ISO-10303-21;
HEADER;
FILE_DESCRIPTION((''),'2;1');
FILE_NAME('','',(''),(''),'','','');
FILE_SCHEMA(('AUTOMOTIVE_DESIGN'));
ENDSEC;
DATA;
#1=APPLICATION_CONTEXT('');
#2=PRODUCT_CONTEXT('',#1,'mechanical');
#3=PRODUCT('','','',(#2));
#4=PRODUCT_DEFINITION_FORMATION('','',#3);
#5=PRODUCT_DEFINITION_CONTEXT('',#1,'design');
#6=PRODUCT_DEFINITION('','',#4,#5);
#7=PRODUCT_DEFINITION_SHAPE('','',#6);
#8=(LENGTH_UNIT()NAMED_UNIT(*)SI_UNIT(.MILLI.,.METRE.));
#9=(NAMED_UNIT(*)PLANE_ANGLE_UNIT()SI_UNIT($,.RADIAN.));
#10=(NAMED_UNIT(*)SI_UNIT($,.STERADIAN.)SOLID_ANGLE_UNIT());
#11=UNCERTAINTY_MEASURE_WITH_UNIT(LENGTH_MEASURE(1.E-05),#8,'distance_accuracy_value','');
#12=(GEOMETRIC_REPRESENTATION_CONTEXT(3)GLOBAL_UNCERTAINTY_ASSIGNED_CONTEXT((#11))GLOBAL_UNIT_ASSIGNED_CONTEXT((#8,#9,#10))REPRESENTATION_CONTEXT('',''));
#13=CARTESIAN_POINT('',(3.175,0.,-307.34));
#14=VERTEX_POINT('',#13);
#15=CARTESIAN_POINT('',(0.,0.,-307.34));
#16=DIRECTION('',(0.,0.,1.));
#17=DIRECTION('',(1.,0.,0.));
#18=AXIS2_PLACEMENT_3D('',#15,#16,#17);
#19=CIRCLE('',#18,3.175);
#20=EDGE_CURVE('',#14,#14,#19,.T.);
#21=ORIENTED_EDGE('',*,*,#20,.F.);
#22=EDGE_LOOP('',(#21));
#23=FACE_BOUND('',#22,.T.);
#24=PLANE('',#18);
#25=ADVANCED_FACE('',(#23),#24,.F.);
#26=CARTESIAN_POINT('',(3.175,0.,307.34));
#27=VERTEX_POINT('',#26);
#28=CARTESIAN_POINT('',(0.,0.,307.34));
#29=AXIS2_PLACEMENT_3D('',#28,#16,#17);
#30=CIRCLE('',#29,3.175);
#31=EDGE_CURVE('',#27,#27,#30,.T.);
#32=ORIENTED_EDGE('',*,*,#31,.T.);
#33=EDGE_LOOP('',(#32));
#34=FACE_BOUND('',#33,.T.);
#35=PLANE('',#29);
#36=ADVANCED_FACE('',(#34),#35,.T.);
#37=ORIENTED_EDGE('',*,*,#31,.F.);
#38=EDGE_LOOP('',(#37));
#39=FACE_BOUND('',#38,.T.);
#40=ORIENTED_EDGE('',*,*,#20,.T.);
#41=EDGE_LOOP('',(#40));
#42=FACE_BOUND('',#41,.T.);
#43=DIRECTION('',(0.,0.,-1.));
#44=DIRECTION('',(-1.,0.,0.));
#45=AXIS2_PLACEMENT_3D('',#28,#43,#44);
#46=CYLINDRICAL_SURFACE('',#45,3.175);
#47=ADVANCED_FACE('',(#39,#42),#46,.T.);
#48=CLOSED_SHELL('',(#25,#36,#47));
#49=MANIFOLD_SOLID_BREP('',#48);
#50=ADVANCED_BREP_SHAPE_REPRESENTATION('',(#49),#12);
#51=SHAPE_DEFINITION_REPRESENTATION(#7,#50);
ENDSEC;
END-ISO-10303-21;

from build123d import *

# Parameters (mm, degrees)
SKETCH1_R           = 3.175
BOSS_EXTRUDE1_DEPTH = 307.34


with BuildPart() as part:
    # Sketch1 → Boss-Extrude1 (new body, symmetric)
    with BuildSketch(Plane.XY):
        Circle(SKETCH1_R)
    extrude(amount=BOSS_EXTRUDE1_DEPTH, both=True)


solid = part.part
